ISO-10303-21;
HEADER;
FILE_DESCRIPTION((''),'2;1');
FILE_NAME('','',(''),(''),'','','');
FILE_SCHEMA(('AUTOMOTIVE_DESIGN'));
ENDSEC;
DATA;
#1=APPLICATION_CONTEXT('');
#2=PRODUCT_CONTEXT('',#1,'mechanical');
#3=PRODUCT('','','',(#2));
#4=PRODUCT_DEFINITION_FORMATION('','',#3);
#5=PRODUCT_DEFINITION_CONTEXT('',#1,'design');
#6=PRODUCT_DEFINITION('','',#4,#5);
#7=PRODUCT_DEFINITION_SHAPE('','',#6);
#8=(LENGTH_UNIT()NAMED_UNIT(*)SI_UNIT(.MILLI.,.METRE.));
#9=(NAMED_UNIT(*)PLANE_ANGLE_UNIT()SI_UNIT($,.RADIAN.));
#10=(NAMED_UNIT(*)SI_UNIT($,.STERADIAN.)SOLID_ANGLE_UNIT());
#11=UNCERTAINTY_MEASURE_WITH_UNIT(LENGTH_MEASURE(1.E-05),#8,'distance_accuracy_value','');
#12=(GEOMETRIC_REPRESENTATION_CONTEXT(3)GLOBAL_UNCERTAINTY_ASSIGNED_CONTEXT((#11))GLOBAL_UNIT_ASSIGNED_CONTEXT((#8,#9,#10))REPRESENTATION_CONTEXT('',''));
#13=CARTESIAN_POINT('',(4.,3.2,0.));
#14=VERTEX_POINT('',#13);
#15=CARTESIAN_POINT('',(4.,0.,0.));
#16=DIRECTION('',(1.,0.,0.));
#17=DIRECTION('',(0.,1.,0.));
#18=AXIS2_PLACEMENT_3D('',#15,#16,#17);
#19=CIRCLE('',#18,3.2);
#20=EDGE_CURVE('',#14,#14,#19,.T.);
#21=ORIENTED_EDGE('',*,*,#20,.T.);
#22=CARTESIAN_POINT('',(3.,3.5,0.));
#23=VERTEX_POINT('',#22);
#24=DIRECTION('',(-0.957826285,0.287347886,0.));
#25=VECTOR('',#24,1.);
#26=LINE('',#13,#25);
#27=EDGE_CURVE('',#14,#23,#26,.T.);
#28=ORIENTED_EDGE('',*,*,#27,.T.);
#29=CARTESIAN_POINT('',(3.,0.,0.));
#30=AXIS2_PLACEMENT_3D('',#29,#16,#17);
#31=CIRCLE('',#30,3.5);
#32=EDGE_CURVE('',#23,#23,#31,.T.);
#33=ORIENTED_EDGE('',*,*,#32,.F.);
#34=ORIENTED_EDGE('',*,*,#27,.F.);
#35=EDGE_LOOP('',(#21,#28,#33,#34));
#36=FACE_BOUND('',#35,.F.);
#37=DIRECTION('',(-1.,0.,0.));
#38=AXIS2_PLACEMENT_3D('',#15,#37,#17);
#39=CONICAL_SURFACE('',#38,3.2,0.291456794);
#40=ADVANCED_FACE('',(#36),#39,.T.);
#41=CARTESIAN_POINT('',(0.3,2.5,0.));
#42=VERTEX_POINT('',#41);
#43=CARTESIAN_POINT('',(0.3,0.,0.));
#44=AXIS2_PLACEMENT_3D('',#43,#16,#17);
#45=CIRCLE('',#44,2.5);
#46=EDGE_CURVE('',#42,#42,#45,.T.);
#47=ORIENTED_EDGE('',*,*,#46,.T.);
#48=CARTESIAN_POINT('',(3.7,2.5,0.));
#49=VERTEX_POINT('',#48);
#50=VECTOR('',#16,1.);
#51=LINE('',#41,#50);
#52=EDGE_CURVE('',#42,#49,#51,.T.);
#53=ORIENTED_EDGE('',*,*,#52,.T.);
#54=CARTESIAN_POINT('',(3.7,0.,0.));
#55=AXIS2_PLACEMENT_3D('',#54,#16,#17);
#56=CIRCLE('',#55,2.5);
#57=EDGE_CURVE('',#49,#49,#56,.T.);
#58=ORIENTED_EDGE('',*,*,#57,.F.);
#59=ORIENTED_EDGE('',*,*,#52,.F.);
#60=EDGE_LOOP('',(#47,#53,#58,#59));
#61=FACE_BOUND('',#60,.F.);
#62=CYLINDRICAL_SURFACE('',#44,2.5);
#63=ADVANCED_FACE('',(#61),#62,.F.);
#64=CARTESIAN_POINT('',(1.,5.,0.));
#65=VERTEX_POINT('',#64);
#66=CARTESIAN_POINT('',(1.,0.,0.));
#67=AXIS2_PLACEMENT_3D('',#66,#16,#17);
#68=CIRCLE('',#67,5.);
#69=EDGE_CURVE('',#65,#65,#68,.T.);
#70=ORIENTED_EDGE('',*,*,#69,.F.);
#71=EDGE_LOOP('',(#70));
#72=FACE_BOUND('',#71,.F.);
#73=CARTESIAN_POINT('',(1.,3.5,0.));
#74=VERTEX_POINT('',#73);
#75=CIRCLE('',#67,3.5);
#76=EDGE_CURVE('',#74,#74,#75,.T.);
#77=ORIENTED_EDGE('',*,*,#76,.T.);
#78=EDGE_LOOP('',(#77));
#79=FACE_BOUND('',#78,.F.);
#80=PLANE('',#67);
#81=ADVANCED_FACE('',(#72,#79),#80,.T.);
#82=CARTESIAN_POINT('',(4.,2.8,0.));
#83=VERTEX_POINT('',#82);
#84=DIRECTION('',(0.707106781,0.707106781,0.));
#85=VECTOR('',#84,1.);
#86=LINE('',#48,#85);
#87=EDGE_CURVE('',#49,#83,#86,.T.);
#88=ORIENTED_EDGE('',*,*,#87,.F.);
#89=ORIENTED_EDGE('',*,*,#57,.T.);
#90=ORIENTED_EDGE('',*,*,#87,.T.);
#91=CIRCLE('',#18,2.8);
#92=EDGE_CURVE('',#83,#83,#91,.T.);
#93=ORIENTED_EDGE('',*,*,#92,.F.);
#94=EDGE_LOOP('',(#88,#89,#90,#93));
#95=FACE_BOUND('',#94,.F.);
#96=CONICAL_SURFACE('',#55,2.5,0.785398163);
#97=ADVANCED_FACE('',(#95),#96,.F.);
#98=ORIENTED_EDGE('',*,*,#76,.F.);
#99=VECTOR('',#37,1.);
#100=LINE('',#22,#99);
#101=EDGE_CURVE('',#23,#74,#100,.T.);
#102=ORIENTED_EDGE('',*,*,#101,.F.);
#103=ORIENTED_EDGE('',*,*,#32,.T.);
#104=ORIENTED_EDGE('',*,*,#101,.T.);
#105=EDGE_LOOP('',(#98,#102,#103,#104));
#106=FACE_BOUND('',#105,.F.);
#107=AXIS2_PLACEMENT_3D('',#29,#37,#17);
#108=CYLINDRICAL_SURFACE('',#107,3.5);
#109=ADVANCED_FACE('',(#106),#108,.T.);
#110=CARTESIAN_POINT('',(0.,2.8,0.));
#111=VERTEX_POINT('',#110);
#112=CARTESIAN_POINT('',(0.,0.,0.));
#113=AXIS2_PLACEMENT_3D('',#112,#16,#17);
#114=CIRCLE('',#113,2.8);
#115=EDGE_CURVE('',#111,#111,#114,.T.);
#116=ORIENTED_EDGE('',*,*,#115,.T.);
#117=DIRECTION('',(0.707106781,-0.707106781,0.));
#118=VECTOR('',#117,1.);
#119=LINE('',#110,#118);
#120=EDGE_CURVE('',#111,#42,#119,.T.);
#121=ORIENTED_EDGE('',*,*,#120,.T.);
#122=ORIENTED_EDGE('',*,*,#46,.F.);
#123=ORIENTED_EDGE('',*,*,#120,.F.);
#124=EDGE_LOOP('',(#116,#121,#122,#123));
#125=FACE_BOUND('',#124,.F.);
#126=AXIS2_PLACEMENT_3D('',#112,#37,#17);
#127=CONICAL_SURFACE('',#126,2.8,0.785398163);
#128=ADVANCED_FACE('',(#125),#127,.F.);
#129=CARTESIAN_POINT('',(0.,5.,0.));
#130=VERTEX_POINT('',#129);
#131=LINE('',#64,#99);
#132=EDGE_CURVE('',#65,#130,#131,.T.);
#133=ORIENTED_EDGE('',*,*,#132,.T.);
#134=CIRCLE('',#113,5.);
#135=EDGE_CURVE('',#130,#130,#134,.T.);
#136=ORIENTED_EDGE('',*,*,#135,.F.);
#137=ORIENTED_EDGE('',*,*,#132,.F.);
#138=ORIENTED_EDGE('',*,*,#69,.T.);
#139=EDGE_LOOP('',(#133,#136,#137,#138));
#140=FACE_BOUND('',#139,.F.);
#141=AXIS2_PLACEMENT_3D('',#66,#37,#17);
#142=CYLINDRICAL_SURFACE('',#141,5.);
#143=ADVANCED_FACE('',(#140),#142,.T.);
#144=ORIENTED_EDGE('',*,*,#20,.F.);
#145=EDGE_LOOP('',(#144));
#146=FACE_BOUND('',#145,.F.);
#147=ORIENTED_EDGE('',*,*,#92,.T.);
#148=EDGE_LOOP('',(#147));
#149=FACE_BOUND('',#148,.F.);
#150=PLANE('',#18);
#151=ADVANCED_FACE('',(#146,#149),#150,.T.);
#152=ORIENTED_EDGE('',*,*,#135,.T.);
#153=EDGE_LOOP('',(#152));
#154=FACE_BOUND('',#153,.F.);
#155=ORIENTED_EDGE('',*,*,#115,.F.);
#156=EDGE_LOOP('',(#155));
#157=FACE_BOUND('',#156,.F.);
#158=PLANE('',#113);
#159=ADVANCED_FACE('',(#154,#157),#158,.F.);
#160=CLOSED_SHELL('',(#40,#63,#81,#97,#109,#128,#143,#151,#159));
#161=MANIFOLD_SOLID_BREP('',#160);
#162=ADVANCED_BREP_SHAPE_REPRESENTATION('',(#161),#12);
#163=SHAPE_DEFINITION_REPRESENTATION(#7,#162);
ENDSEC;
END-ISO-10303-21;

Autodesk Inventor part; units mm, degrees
ref_plane "YZ Plane" through (0, 0, 0) normal (1, 0, 0) x (0, 1, 0)
ref_plane "XZ Plane" through (0, 0, 0) normal (0, 1, 0) x (-1, 0, 0)
ref_plane "XY Plane" through (0, 0, 0) normal (0, 0, 1) x (1, 0, 0)
sketch "Sketch_1" plane through (0, 0, 0) normal (0, 0, 1) x (1, 0, 0)
  line L0 (4, 0) -> (0, 0)
  line L1 (0, 2.8) -> (0.3, 2.5)
  line L2 (0.3, 2.5) -> (3.7, 2.5)
  line L3 (3.7, 2.5) -> (4, 2.8)
  line L4 (4, 2.8) -> (4, 3.2)
  line L5 (4, 3.2) -> (3, 3.5)
  line L6 (3, 3.5) -> (1, 3.5)
  line L7 (1, 3.5) -> (1, 5)
  line L8 (1, 5) -> (0, 5)
  line L9 (0, 5) -> (0, 2.8)
revolve "Revolution1" add sketch "Sketch_1" angle 360 about axis through (4, 0, 0) along (1, 0, 0)
properties part number "80F-0503"
